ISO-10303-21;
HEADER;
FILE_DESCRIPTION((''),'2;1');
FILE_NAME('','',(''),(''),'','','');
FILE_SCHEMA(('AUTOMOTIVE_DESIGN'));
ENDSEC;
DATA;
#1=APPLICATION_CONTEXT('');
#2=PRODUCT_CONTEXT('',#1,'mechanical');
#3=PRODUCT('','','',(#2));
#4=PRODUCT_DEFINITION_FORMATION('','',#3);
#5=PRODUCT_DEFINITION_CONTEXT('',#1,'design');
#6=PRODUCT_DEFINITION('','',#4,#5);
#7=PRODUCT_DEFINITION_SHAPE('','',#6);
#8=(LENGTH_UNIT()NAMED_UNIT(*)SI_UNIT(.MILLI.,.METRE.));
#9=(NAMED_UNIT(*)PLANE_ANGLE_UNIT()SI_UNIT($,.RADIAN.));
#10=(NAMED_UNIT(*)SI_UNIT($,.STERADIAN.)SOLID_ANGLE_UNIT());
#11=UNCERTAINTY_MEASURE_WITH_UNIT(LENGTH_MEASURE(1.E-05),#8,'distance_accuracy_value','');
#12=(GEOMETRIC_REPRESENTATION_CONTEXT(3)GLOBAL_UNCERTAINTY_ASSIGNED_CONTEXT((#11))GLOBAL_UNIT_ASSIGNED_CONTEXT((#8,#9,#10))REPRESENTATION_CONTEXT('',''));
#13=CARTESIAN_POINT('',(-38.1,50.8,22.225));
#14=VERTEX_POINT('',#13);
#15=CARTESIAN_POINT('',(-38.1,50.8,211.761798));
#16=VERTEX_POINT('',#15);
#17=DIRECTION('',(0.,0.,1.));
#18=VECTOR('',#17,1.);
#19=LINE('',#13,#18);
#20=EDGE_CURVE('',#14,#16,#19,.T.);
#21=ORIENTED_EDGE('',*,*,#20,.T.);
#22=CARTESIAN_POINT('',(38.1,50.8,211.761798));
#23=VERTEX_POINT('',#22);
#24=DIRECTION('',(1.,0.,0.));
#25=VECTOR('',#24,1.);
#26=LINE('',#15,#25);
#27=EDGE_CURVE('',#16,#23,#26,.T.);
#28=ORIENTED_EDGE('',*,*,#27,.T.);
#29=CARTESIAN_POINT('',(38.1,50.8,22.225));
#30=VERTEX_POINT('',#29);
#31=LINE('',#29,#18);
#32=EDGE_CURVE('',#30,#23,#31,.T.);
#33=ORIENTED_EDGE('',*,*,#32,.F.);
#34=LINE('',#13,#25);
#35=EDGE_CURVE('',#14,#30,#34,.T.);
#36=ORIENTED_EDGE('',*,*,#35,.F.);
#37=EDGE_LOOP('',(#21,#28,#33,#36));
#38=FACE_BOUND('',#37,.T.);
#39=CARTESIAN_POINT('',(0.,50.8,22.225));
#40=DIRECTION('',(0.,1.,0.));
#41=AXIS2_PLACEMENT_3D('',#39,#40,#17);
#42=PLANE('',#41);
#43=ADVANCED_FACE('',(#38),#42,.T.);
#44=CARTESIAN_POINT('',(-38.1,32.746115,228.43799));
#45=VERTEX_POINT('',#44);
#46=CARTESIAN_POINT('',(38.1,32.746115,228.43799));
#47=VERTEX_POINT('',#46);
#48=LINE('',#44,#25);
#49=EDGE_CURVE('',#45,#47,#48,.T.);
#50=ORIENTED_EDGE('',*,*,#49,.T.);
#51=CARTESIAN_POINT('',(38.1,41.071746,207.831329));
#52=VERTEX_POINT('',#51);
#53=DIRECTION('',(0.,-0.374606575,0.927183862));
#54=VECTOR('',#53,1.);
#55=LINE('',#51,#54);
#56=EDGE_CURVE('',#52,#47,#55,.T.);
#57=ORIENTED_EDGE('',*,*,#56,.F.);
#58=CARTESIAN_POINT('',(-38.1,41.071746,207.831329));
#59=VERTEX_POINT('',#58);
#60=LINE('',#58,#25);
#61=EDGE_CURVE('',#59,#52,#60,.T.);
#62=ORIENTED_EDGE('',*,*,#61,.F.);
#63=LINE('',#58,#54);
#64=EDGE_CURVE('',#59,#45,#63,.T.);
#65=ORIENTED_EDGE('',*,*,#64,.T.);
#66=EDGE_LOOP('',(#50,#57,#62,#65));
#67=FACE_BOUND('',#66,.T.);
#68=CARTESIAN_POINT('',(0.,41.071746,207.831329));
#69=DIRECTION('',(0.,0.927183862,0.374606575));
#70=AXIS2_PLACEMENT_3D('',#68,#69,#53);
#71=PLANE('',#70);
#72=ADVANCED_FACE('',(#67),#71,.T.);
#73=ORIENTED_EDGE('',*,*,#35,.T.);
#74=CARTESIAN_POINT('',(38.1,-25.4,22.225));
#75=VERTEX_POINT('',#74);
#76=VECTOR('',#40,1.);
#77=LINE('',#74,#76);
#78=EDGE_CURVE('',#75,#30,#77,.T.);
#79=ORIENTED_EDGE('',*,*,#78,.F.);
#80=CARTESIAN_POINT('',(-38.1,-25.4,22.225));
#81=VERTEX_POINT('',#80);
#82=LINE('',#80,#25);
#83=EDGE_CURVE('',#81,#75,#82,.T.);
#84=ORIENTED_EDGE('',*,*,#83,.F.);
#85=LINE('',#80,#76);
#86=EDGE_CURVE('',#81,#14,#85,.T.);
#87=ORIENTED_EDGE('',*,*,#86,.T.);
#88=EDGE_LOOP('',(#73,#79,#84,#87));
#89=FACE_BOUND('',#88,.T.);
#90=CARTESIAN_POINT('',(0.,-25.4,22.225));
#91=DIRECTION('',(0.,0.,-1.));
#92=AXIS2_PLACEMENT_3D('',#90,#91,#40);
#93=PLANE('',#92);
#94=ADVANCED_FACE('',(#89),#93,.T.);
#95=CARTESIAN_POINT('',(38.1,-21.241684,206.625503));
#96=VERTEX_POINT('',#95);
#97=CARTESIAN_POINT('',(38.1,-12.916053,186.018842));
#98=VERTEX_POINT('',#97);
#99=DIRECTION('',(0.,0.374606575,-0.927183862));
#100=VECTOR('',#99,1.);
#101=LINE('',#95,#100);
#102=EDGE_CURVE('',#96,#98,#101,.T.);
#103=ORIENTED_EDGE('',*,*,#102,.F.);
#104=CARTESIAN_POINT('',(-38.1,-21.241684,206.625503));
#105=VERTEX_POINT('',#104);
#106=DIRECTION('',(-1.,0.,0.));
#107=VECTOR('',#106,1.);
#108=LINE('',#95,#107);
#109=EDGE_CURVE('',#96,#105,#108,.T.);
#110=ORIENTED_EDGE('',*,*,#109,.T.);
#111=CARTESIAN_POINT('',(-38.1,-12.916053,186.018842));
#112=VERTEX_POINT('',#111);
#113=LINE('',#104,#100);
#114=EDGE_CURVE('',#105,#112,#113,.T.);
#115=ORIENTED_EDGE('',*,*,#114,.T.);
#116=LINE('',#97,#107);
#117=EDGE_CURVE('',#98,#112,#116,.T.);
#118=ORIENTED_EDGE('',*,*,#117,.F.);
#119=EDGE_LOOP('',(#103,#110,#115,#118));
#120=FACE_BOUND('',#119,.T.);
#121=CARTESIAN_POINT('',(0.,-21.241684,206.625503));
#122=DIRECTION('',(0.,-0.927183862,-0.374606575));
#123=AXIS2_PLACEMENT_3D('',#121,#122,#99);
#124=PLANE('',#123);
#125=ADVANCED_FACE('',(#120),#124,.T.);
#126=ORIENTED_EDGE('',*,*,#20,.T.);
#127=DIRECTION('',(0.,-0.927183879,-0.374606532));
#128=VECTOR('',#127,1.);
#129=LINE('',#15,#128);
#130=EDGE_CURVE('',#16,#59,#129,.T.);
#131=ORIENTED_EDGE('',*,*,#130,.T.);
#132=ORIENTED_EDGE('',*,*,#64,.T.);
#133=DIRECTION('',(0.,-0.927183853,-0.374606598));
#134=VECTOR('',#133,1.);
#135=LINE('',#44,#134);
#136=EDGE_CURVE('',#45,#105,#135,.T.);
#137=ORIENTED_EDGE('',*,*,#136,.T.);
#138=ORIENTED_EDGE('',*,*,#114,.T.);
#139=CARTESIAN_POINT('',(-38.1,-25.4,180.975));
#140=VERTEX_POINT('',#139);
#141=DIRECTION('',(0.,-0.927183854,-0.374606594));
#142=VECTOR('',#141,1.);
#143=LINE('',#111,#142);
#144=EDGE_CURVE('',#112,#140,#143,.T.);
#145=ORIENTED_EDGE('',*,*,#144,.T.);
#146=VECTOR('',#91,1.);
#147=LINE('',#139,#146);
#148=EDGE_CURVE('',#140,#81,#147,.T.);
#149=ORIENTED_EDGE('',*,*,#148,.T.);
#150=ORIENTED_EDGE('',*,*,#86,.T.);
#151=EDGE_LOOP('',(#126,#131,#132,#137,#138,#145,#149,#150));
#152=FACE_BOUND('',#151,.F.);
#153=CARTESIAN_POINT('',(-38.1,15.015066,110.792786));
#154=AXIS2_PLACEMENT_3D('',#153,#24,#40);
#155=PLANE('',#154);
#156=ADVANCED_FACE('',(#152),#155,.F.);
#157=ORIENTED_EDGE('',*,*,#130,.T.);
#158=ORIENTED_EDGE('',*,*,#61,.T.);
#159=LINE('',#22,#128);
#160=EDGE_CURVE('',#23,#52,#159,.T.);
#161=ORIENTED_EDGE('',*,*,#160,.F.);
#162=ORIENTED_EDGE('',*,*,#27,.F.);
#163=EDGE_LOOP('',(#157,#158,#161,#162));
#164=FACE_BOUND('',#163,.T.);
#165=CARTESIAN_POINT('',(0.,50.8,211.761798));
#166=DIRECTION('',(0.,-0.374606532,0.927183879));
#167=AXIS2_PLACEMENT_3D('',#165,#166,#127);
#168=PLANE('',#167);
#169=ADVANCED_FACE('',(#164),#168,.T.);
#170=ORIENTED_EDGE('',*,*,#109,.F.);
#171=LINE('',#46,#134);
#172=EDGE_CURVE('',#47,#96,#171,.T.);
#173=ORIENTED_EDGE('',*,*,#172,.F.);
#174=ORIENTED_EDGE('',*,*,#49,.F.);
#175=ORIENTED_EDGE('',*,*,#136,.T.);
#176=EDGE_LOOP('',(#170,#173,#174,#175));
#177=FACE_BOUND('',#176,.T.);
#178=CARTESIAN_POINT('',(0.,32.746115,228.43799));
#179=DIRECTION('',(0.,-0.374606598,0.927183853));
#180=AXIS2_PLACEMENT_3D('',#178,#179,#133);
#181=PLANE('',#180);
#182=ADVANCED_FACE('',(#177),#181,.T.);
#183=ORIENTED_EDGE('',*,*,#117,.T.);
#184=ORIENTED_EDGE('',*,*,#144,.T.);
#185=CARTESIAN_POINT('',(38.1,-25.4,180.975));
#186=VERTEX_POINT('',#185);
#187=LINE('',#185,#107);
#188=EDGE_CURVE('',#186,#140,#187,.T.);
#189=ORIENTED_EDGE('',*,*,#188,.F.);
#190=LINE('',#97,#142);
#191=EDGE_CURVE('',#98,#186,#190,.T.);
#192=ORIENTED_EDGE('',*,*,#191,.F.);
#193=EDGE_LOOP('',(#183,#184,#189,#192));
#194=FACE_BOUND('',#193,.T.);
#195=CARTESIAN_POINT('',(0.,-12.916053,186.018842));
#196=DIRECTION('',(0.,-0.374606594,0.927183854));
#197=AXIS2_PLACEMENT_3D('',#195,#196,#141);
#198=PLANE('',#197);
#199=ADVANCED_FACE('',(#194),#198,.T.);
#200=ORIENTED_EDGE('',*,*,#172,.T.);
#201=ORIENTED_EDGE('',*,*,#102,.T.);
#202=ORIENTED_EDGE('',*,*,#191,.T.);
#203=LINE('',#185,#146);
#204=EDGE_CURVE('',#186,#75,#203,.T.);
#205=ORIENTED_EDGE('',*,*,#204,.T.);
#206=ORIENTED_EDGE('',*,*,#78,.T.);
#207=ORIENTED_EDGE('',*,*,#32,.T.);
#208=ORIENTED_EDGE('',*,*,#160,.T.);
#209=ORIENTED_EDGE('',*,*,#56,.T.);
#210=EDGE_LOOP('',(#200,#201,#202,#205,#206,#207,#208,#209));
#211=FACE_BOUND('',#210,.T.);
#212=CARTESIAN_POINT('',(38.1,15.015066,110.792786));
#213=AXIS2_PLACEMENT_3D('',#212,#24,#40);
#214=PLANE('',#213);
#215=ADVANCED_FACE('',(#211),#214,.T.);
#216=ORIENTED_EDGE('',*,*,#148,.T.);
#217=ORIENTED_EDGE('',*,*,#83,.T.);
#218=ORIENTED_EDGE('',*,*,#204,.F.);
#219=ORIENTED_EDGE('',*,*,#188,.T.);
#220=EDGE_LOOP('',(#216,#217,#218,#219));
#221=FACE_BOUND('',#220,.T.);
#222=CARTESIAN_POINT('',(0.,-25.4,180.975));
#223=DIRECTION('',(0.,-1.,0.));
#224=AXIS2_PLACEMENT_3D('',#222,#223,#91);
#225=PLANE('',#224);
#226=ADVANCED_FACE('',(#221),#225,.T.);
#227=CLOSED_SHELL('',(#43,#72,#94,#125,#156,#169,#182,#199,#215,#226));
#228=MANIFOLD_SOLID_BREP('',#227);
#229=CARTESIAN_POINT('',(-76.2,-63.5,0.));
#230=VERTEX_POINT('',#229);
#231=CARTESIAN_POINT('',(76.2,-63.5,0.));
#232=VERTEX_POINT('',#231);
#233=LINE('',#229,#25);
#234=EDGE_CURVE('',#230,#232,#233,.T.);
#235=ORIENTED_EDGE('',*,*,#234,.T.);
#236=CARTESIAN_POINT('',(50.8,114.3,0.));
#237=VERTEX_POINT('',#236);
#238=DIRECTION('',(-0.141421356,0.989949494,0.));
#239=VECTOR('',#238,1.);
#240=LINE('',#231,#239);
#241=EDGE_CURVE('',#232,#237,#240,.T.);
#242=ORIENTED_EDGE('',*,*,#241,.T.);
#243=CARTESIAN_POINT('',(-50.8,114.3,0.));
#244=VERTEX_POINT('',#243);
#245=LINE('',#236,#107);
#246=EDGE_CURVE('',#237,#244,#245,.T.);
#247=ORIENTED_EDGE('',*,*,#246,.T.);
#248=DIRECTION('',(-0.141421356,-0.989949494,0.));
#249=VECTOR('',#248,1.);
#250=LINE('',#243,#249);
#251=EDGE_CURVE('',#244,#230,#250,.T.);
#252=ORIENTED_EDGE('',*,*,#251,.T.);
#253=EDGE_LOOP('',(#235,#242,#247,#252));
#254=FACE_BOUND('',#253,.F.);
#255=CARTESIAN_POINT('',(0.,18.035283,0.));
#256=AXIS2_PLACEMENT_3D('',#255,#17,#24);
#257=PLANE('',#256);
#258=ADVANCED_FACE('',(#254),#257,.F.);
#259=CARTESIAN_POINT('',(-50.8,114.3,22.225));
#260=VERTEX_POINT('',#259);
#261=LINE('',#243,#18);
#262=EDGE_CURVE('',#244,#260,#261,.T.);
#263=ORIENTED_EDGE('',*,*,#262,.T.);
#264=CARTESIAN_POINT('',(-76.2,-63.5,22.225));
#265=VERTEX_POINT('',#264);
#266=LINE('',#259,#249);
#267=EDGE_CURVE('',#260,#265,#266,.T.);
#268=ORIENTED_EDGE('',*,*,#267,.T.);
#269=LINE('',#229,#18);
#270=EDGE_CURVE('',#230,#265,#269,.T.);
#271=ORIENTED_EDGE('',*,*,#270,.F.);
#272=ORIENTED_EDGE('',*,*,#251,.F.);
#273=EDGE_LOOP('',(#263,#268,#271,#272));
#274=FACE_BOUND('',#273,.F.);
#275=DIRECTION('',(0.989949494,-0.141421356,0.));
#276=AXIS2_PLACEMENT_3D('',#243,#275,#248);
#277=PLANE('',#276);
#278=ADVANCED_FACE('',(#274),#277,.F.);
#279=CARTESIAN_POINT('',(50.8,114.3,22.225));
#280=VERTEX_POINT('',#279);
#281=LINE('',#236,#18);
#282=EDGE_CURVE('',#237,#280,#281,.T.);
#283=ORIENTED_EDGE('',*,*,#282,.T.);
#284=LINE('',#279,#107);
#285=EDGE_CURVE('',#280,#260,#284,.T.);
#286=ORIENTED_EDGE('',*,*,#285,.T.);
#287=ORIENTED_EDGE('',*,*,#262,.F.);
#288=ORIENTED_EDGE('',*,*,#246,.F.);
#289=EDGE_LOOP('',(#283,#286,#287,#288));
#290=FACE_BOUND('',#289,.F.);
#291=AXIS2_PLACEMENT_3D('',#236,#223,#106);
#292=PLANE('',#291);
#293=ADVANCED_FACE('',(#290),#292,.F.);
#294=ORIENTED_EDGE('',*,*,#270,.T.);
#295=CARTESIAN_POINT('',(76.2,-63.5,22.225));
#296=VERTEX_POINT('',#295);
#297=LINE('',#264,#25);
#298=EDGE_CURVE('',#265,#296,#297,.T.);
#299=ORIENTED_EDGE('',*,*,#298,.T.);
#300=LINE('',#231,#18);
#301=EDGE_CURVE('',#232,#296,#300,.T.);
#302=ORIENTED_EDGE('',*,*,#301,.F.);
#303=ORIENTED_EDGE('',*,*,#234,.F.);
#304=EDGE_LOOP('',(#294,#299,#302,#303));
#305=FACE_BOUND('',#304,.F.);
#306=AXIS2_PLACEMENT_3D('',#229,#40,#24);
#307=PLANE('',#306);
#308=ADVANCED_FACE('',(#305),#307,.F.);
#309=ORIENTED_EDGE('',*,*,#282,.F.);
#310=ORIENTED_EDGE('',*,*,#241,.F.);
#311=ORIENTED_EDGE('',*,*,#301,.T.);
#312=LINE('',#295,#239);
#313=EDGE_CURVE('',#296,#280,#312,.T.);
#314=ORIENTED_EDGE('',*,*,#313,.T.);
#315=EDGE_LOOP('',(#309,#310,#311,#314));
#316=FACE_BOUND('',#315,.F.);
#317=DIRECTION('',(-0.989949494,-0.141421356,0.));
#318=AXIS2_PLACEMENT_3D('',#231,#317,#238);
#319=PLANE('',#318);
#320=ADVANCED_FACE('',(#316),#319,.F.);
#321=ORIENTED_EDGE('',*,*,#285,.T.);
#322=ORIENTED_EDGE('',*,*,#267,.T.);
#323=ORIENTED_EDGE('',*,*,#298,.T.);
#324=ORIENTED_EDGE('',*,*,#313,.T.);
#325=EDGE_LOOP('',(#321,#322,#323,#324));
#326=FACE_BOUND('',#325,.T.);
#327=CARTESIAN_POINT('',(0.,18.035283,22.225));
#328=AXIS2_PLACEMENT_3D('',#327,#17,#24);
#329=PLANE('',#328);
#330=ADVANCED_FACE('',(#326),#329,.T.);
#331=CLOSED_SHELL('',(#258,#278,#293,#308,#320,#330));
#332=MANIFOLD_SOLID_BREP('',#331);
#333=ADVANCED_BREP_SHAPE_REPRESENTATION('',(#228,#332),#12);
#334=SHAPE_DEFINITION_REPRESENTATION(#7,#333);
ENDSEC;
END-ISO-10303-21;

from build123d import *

# Parameters (mm, degrees)
F1_DEPTH = 22.225
F3_DEPTH = 38.1


with BuildPart() as f1:
    # F0 (on Top) → F1 (new body)
    with BuildSketch(Plane.XY):
        Polygon((-50.8, 114.3), (-76.2, -63.5), (76.2, -63.5), (50.8, 114.3), align=None)
    extrude(amount=F1_DEPTH)


with BuildPart() as f3:
    # F2 (on Right) → F3 (new body, symmetric)
    with BuildSketch(Plane.YZ):
        Polygon((-25.4, 180.975), (-25.4, 22.225), (50.8, 22.225), (50.8, 211.761798), (41.071746, 207.831329), (-12.916053, 186.018842), align=None)
        Polygon((-21.241684, 206.625503), (-12.916053, 186.018842), (41.071746, 207.831329), (32.746115, 228.43799), align=None)
    extrude(amount=F3_DEPTH, both=True)


solid = Compound([f1.part, f3.part])
